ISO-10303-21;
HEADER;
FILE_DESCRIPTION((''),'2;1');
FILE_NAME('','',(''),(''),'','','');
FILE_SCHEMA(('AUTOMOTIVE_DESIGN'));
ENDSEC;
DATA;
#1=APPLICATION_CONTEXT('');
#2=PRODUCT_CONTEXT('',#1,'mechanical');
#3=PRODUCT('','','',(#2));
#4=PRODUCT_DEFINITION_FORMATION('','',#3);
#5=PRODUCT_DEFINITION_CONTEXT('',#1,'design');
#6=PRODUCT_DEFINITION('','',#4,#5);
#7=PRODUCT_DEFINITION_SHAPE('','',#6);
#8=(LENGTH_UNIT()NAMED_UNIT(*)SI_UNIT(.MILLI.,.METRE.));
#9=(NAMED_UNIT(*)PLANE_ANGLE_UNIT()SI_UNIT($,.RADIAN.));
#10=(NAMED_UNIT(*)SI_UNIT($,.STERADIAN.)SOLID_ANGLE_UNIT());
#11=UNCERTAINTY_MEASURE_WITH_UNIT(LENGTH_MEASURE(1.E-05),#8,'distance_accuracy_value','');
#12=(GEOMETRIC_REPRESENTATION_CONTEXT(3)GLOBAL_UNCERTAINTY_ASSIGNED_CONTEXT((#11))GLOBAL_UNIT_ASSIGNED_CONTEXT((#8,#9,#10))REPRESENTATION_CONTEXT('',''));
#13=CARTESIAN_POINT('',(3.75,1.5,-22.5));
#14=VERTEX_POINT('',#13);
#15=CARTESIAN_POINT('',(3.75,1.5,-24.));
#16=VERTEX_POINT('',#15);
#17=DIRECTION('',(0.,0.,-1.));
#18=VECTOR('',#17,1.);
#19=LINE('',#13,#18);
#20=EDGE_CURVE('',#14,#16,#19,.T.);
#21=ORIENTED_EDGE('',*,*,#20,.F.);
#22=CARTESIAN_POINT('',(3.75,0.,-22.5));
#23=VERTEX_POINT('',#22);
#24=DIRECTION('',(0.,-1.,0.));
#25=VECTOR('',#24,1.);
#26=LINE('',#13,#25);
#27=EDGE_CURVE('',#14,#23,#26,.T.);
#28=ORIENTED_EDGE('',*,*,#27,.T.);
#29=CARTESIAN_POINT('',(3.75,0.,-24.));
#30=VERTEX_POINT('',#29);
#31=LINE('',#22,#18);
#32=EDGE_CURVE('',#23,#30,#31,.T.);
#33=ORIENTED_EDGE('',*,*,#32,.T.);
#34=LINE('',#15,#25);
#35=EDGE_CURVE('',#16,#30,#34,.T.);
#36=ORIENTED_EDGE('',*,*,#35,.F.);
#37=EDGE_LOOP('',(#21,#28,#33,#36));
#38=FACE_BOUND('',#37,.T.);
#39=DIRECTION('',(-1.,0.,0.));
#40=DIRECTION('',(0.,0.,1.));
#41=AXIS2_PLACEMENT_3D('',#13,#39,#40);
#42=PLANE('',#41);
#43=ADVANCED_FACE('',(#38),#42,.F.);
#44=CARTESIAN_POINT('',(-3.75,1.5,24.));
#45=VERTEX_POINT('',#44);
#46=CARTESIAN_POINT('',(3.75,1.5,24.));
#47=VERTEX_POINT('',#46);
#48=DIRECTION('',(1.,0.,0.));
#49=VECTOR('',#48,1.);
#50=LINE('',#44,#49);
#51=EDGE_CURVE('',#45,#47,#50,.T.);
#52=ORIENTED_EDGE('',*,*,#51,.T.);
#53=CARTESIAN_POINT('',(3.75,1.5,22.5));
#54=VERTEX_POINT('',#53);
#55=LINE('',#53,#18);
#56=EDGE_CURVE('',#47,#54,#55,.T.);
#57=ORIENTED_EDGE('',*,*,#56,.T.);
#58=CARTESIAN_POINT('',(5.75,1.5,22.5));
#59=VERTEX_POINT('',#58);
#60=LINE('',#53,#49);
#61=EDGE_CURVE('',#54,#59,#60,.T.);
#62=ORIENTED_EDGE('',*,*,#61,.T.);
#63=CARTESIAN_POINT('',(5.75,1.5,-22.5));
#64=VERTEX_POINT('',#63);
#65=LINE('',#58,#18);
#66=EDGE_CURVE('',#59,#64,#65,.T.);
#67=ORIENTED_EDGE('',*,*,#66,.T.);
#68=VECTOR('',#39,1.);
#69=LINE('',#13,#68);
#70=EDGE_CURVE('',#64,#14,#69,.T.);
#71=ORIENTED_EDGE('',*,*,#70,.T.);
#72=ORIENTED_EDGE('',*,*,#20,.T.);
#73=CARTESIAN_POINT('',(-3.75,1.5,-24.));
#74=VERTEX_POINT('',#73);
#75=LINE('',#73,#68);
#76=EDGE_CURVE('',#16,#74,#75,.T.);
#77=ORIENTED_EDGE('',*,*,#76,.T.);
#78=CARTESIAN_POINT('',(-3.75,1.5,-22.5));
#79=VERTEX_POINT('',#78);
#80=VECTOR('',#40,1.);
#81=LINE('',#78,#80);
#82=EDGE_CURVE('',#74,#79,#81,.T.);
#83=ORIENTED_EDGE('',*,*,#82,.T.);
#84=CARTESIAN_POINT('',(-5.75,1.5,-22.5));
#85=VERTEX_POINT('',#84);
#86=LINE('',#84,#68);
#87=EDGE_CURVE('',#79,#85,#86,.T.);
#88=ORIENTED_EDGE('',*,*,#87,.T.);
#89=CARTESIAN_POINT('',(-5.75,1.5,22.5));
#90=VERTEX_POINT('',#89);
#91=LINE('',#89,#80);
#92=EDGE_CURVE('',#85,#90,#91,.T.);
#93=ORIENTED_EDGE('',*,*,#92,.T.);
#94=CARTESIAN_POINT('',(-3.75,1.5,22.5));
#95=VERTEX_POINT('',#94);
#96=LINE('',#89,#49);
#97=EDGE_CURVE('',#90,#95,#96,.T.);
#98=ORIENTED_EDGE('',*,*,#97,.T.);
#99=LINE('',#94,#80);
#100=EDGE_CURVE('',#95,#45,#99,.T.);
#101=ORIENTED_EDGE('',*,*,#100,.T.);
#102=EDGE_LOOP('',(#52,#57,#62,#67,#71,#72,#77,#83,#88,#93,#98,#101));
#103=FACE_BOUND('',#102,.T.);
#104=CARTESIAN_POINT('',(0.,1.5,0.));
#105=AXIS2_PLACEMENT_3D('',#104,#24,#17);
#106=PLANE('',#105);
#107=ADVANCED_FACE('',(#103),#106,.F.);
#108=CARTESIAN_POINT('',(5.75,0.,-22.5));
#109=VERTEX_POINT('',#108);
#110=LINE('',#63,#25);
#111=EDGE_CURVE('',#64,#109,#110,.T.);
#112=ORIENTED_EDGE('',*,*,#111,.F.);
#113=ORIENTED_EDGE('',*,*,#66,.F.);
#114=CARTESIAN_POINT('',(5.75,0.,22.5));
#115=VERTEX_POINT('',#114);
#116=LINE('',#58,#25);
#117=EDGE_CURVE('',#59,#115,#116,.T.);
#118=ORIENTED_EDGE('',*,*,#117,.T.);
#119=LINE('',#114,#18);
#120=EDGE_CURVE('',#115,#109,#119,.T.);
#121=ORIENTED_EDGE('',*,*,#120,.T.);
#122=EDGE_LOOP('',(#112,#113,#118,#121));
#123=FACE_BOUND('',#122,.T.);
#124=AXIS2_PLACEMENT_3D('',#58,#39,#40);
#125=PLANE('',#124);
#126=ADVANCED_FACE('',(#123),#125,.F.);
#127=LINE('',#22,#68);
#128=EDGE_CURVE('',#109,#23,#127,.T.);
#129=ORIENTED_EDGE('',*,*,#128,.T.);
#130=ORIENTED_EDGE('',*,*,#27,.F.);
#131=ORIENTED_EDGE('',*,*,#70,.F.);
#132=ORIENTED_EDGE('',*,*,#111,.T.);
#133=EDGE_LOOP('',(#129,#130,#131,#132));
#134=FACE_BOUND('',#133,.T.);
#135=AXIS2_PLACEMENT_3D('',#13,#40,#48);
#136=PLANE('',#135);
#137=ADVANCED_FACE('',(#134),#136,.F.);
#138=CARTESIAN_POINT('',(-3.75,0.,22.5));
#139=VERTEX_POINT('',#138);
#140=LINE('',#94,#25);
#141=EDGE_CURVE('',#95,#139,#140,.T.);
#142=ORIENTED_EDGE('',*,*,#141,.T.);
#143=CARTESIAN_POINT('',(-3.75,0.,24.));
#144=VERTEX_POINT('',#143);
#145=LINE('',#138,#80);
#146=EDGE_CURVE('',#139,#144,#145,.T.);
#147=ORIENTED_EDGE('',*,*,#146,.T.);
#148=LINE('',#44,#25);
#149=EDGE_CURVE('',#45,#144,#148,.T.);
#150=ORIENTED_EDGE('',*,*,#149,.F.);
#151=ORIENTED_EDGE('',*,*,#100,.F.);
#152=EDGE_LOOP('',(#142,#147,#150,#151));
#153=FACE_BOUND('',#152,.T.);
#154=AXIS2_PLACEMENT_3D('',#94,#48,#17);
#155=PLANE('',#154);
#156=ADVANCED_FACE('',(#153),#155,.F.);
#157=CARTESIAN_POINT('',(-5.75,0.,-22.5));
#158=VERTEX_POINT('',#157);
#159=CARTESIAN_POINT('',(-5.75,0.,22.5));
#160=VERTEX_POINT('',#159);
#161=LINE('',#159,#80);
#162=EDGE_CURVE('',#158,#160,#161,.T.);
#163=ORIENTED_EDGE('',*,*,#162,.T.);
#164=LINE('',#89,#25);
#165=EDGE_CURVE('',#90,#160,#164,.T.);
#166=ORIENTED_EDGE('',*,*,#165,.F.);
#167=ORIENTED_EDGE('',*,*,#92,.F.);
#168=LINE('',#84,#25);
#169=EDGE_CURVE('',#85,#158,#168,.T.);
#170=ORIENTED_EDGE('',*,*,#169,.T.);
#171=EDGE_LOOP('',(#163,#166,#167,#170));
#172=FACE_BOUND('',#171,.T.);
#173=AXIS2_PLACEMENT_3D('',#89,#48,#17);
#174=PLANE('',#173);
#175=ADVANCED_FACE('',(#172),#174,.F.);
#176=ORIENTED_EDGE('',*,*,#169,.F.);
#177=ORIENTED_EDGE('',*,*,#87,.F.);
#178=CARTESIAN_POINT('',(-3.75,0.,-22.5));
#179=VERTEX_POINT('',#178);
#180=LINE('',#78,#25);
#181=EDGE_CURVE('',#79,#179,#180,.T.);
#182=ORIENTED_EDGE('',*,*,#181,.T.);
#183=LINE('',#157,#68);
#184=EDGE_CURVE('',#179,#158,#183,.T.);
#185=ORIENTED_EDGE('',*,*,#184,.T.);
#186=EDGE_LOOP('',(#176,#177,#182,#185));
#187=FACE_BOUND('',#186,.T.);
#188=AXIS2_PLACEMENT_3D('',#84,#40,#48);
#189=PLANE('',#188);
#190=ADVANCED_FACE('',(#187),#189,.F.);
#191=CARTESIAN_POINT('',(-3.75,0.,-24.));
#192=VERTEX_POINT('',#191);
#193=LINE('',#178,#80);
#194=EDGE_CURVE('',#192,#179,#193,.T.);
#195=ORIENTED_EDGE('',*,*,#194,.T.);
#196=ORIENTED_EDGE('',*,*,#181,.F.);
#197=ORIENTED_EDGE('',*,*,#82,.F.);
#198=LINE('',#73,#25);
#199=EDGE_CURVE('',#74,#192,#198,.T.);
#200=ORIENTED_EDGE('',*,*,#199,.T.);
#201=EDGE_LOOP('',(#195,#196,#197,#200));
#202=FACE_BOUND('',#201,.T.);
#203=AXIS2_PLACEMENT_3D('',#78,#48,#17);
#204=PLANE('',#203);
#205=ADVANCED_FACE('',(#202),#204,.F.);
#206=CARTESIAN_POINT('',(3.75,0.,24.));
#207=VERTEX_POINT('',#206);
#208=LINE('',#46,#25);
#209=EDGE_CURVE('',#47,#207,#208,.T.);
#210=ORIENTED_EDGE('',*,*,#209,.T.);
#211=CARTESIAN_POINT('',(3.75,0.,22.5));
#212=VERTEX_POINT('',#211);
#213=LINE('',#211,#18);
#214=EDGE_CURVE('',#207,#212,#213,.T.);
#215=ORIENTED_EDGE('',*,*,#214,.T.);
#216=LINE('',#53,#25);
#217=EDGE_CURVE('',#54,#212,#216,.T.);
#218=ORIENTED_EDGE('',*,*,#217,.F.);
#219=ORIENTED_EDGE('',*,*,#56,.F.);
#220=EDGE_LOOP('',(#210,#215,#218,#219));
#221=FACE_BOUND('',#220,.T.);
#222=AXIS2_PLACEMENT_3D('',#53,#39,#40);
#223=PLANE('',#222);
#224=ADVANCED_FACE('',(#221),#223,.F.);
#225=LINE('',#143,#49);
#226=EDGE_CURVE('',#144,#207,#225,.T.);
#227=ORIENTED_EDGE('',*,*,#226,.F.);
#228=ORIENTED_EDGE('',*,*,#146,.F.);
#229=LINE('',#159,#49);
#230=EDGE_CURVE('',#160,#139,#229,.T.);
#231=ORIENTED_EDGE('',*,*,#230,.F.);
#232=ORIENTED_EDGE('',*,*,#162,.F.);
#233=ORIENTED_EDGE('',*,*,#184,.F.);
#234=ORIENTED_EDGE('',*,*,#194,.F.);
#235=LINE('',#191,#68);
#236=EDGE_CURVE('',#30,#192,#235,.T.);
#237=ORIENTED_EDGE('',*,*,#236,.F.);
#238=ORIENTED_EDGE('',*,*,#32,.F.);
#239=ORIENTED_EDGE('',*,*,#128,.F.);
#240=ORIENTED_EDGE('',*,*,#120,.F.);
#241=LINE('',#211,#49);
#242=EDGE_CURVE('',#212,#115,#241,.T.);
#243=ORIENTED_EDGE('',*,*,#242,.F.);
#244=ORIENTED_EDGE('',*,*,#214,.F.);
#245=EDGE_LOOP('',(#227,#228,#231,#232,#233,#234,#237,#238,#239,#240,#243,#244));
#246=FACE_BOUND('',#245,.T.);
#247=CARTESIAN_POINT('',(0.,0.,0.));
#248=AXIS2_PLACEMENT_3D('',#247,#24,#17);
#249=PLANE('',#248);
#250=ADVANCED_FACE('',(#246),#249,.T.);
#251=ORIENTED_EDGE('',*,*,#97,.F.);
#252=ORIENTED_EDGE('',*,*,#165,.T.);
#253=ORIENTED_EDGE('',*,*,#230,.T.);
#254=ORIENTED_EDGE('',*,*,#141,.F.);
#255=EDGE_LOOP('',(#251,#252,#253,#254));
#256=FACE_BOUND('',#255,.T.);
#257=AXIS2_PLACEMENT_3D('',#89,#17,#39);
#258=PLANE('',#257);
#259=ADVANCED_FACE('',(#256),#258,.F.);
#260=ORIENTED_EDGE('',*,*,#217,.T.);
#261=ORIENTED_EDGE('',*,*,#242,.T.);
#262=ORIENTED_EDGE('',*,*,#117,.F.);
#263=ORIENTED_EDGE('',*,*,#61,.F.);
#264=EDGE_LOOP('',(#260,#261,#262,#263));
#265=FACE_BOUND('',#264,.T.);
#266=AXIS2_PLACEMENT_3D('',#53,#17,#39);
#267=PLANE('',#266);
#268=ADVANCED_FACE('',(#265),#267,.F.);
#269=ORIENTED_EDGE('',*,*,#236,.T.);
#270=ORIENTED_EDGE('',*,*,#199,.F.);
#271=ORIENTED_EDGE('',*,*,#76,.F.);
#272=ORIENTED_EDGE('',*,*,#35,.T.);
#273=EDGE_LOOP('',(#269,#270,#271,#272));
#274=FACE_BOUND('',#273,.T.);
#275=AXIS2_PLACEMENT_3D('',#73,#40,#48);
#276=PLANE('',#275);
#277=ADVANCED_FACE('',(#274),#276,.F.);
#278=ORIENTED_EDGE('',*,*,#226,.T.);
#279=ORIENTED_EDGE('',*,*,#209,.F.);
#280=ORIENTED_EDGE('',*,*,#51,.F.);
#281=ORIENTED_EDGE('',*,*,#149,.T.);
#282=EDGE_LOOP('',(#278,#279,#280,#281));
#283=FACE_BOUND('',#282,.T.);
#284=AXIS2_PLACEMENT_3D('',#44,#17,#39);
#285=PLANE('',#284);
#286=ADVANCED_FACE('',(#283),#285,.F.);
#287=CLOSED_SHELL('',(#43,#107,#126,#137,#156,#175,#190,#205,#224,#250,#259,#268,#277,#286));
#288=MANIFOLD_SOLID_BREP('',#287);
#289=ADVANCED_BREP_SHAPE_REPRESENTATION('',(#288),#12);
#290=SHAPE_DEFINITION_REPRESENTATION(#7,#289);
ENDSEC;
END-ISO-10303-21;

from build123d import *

# Parameters (mm, degrees)
BOSS_EXTRUDE1_DEPTH = 1.5


with BuildPart() as part:
    # Sketch1 → Boss-Extrude1 (new body)
    with BuildSketch(Plane(origin=(0, 0, 0), x_dir=(1, 0, 0), z_dir=(0, 1, 0))):
        Polygon((3.75, 22.5), (5.75, 22.5), (5.75, -22.5), (3.75, -22.5), (3.75, -24), (-3.75, -24), (-3.75, -22.5), (-5.75, -22.5), (-5.75, 22.5), (-3.75, 22.5), (-3.75, 24), (3.75, 24), align=None)
    extrude(amount=BOSS_EXTRUDE1_DEPTH)


solid = part.part
